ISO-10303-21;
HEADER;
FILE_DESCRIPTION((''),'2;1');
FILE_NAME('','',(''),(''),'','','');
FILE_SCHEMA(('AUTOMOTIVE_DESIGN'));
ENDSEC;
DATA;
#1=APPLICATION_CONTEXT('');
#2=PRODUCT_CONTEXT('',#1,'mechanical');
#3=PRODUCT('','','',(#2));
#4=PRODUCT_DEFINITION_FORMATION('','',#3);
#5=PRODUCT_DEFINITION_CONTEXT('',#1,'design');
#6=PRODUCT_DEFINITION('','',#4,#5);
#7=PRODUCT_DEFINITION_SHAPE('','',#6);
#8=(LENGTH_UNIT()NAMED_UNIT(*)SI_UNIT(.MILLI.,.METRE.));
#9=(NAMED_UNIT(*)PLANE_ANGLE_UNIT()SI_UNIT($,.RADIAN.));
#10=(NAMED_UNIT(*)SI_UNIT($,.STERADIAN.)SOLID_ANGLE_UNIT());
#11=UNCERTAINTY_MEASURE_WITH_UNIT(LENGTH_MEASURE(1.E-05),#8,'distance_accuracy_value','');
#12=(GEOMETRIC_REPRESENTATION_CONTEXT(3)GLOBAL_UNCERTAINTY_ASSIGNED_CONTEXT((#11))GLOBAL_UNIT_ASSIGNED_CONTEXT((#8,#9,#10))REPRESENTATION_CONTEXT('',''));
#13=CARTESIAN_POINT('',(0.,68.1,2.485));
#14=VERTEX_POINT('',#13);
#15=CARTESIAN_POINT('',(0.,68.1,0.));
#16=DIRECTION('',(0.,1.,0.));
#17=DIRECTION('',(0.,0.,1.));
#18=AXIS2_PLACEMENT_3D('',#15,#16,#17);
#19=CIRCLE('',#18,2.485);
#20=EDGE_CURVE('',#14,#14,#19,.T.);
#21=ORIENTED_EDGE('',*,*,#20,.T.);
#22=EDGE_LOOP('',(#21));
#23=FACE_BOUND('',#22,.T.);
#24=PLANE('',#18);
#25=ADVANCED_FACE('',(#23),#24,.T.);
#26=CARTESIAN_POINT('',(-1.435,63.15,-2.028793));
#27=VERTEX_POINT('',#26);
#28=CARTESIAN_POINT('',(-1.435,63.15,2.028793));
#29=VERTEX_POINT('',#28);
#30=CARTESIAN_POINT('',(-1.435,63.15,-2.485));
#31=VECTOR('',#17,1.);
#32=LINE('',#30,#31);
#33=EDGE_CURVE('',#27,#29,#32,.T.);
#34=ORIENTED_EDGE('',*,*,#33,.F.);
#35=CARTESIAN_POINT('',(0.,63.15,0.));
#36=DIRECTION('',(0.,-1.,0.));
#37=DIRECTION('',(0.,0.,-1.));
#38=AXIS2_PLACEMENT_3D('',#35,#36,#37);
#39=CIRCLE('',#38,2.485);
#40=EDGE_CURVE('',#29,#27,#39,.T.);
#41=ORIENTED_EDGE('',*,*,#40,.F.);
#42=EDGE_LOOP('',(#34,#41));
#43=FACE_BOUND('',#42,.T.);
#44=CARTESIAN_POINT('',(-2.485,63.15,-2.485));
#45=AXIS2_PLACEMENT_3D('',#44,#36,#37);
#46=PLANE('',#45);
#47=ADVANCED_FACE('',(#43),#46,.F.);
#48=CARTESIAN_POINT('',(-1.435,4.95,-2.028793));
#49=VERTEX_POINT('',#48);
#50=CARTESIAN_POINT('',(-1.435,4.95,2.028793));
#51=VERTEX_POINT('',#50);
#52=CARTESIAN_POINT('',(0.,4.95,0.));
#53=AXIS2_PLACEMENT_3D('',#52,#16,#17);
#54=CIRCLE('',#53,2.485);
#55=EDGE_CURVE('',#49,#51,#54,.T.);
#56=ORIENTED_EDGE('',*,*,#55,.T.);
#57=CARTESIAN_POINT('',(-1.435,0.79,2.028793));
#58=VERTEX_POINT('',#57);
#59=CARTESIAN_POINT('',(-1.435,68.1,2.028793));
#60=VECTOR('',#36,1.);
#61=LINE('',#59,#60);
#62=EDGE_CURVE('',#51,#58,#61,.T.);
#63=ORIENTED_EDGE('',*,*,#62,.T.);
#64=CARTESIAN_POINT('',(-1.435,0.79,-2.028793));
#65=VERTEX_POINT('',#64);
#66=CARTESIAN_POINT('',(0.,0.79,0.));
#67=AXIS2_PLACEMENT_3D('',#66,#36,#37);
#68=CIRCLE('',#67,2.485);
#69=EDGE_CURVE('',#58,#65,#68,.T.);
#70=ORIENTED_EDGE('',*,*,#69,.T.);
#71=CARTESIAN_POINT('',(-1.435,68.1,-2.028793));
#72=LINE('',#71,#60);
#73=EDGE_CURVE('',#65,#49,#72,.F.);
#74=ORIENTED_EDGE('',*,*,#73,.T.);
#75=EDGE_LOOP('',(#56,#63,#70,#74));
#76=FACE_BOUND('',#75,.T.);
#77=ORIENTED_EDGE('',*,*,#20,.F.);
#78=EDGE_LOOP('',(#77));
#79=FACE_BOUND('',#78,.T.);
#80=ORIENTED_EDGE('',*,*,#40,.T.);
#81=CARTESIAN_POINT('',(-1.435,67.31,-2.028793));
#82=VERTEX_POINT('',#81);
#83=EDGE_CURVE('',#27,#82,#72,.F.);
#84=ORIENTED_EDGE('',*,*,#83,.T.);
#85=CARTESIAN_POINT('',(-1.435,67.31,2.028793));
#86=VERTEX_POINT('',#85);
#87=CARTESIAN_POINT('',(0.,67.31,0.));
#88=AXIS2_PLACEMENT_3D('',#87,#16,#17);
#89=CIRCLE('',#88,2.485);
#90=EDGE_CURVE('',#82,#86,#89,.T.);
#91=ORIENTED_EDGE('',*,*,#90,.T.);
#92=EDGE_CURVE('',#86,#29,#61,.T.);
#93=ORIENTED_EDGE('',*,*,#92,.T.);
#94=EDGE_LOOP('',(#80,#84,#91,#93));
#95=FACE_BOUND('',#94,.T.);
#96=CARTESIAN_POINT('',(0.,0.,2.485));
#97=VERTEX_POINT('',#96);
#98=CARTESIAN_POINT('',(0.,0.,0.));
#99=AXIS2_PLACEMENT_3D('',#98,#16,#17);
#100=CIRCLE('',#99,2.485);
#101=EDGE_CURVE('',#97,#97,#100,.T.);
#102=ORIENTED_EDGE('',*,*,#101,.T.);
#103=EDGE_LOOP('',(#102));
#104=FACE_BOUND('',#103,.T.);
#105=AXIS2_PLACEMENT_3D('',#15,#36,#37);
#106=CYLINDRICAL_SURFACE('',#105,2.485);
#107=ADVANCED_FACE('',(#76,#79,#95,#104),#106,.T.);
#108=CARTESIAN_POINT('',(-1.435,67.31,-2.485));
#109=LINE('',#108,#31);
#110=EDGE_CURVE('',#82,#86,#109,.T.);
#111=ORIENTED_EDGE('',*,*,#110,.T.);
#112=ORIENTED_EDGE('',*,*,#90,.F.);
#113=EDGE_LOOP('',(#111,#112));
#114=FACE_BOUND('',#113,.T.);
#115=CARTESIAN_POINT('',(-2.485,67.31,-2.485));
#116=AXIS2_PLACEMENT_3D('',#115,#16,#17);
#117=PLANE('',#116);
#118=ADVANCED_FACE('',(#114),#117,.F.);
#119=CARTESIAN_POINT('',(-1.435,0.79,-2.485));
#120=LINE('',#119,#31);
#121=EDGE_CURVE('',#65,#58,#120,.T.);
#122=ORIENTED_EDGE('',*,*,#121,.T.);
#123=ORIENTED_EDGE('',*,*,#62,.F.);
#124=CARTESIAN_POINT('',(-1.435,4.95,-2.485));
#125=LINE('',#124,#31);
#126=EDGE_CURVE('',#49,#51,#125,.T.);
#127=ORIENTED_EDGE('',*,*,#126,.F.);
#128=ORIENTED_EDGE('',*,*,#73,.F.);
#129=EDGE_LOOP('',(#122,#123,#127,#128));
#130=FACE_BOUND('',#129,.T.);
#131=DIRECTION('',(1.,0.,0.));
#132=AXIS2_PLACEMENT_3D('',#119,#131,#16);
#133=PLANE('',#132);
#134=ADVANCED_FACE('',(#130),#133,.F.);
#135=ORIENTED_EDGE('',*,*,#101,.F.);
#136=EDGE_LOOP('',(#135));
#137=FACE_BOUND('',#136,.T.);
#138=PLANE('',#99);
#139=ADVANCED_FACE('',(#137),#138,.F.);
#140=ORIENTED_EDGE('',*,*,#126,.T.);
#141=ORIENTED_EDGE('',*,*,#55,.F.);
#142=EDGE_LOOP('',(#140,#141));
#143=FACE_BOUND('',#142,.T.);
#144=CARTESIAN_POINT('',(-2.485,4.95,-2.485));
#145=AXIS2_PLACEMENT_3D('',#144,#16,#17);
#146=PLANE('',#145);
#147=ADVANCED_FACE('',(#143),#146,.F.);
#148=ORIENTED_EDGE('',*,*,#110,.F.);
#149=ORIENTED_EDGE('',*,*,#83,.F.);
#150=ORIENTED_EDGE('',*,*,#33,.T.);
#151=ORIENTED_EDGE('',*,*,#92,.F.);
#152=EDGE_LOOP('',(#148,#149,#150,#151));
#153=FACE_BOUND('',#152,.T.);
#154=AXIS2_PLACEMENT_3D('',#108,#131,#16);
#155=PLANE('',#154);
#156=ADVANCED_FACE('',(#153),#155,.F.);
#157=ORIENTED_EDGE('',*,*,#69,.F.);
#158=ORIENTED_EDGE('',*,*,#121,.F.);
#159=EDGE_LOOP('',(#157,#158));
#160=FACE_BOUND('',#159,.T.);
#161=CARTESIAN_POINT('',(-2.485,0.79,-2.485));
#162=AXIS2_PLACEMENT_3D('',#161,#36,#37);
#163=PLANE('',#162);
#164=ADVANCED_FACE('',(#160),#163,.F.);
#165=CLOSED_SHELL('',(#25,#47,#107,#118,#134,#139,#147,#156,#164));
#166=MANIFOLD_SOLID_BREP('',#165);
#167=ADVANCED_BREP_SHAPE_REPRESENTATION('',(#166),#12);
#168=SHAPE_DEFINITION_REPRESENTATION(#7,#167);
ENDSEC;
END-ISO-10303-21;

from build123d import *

# Parameters (mm, degrees)
SCHIZZO2_R                    = 2.485
ESTRUSIONE_ESTRUSIONE1_DEPTH  = 68.1
TAGLIO_ESTRUSIONE1_DEPTH      = 69.19061849
TAGLIO_ESTRUSIONE1_DEPTH_BACK = 69.19061849
SCHIZZO3_W                    = 1.05
SCHIZZO3_H                    = 4.16


with BuildPart() as part:
    # Schizzo2 → Estrusione-Estrusione1 (new body)
    with BuildSketch(Plane(origin=(0, 0, 0), x_dir=(1, 0, 0), z_dir=(0, 1, 0))):
        with Locations(Location((0, 0, 0), (0, 0, 270))):
            Circle(SCHIZZO2_R)
    extrude(amount=ESTRUSIONE_ESTRUSIONE1_DEPTH)

    # Schizzo3 → Taglio-Estrusione1 (cut, two sides: drawn at the far end of the back side and taken through both)
    with BuildSketch(Plane.XY.offset(-TAGLIO_ESTRUSIONE1_DEPTH_BACK)):
        with Locations((-1.96, 65.23)):
            Rectangle(SCHIZZO3_W, SCHIZZO3_H)
        with Locations((-1.96, 2.87)):
            Rectangle(SCHIZZO3_W, SCHIZZO3_H)
    extrude(amount=TAGLIO_ESTRUSIONE1_DEPTH + TAGLIO_ESTRUSIONE1_DEPTH_BACK, mode=Mode.SUBTRACT)


solid = part.part
